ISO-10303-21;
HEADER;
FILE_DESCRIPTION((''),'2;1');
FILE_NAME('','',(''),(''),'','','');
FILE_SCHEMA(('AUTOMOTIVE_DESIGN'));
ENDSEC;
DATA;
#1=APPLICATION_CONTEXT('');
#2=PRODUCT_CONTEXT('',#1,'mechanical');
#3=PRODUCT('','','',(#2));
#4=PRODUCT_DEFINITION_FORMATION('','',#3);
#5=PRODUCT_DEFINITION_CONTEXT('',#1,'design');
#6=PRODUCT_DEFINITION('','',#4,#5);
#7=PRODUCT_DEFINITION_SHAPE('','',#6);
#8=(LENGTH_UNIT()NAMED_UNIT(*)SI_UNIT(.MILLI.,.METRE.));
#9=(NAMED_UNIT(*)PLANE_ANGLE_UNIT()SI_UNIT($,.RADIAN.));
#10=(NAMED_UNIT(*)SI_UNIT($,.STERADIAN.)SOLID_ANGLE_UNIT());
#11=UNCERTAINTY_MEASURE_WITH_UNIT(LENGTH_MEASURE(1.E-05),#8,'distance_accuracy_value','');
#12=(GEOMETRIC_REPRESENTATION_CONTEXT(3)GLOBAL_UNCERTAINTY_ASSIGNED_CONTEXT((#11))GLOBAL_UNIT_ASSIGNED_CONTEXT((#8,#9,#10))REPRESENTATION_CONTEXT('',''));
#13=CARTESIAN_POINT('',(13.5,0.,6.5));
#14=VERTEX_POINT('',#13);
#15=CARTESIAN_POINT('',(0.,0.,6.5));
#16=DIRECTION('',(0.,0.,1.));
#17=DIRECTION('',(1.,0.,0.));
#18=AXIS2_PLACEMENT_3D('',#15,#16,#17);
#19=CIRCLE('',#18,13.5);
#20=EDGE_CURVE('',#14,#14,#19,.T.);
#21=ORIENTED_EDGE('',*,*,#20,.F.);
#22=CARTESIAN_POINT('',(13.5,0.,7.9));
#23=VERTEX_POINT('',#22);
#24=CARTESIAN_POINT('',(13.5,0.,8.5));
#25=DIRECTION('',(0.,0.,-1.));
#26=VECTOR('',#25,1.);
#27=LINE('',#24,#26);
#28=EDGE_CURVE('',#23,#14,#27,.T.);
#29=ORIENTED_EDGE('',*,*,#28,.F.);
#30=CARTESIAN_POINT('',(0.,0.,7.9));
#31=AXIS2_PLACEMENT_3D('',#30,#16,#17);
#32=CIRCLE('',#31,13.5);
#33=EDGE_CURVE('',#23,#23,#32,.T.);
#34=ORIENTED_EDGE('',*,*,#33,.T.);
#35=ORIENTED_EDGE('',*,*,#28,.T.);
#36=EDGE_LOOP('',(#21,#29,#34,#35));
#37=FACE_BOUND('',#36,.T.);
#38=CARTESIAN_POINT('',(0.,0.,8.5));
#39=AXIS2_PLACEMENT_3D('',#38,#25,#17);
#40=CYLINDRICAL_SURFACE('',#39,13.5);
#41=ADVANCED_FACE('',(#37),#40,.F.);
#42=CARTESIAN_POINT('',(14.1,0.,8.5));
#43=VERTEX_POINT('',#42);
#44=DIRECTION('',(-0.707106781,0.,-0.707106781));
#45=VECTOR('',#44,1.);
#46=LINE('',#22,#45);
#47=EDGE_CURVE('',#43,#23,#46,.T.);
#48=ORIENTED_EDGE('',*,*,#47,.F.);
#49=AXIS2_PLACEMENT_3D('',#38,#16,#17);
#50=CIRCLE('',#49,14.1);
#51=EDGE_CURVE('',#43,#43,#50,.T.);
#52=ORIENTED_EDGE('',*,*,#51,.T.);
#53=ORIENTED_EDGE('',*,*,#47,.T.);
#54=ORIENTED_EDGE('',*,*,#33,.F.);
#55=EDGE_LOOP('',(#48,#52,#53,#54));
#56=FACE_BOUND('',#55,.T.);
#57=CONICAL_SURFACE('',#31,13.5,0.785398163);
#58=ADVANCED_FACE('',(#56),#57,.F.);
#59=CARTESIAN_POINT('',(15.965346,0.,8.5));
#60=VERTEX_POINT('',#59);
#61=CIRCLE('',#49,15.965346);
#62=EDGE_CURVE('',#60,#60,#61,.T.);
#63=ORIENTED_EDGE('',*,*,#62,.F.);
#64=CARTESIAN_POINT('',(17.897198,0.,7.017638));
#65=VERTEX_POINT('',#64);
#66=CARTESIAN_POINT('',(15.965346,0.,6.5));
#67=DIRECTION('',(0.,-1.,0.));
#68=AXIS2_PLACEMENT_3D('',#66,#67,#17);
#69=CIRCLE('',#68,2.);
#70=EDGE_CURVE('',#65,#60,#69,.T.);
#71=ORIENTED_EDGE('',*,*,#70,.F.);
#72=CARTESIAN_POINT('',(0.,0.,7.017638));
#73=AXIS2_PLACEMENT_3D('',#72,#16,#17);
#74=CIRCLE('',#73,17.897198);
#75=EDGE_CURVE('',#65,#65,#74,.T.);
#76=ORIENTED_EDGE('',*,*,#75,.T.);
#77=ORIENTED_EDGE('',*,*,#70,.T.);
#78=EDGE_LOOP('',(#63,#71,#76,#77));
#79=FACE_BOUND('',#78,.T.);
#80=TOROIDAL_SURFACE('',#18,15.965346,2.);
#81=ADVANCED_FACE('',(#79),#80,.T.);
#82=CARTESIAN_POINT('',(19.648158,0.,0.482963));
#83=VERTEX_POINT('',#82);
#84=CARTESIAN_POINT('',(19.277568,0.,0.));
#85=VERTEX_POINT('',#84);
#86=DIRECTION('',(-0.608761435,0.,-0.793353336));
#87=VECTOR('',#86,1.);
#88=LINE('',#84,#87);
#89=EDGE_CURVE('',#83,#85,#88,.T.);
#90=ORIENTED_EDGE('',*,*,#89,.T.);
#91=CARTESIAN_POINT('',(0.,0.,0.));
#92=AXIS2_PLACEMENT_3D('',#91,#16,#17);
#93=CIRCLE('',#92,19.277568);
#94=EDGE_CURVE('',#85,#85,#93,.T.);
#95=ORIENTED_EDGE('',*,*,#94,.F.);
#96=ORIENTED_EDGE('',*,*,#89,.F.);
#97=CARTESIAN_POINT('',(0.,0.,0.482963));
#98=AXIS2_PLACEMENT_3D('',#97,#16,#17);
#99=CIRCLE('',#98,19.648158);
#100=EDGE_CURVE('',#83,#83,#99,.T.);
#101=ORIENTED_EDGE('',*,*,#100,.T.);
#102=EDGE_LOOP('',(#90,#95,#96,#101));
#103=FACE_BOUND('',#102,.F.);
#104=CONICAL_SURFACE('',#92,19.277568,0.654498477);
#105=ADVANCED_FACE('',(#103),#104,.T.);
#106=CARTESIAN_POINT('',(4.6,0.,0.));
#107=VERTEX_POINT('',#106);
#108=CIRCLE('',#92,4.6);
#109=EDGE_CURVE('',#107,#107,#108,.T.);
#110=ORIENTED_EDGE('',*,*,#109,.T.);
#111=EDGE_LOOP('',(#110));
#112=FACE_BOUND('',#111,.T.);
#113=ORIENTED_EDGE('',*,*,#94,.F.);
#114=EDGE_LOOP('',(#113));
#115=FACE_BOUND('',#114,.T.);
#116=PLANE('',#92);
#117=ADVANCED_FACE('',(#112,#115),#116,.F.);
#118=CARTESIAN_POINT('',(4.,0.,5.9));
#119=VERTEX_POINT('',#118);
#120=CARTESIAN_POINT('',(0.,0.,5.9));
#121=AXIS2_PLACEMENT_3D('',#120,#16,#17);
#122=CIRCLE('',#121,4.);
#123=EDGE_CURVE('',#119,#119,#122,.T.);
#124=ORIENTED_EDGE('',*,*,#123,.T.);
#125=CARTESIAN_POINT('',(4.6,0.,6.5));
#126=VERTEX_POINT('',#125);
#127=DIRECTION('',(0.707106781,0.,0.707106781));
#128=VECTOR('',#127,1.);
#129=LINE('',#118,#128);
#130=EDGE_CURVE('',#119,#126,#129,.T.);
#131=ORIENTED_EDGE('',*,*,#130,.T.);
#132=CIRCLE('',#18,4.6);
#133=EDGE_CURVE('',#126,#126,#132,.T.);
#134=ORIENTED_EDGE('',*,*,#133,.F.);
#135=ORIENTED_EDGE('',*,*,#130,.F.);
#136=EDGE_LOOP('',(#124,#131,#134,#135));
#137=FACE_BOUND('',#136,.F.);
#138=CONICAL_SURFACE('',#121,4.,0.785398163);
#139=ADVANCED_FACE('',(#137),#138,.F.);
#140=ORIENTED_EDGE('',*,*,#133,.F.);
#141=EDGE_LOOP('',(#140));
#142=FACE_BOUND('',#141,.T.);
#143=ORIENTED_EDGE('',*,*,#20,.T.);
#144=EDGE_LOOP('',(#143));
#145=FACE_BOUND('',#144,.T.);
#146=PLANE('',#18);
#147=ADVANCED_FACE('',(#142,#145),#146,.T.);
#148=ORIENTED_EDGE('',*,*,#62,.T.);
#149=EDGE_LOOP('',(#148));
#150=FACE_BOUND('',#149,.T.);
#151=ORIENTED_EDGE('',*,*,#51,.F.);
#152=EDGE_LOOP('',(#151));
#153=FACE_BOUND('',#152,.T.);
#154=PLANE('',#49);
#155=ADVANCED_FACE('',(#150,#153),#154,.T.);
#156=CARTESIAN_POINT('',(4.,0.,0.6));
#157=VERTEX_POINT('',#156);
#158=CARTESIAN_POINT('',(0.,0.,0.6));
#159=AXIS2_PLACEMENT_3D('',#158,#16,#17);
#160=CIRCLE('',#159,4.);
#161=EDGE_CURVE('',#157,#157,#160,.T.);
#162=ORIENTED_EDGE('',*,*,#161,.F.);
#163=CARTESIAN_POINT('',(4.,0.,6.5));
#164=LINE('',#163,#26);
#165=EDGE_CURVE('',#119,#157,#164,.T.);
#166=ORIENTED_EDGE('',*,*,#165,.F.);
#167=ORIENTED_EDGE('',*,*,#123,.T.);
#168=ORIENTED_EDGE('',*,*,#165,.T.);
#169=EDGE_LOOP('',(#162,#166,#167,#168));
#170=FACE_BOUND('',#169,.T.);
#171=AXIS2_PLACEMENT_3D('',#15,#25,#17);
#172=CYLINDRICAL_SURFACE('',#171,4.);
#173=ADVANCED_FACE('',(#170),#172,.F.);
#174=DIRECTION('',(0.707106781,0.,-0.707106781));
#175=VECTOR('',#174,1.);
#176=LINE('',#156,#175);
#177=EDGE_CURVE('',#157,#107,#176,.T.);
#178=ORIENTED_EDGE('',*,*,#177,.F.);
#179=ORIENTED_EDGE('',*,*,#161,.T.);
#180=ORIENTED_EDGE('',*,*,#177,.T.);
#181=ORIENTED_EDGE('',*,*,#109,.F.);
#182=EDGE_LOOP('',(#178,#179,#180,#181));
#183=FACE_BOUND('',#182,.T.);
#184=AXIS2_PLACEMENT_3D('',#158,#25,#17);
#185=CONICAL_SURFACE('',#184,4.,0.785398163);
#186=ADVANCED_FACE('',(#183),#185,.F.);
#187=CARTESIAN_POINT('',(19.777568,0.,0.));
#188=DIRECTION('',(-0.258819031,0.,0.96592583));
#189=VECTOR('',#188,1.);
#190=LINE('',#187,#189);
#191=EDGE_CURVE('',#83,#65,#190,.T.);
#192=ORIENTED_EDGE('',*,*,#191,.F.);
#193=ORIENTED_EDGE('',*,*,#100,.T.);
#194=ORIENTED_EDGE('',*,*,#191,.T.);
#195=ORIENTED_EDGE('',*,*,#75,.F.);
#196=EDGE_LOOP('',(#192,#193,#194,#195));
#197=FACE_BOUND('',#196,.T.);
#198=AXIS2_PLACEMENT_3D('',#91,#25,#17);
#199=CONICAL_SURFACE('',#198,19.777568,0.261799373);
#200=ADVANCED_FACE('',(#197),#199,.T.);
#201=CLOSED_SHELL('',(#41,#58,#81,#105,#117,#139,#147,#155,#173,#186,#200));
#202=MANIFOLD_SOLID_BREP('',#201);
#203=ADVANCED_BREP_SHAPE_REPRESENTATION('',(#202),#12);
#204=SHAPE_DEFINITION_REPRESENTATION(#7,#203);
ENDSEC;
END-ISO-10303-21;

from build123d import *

# Parameters (mm, degrees)
F2_SIZE = 0.6
F3_R    = 2
F4_SIZE = 0.5


with BuildPart() as f1:
    # F0 (on Front) → F1 (revolve)
    with BuildSketch(Plane.XZ):
        Polygon((4, 6.5), (4, 0), (19.777568, 0), (17.5, 8.5), (13.5, 8.5), (13.5, 6.5), align=None)
    revolve(axis=Axis((0, 0, 2.242119), (0, 0, 1)))

    # F2
    f2_edges = [f1.edges().sort_by_distance(p)[0] for p in [
        (-13.5, 0, 8.5),
        (-4, 0, 6.5),
        (-4, 0, 0),
    ]]
    chamfer(f2_edges, length=F2_SIZE)

    # F3
    f3_edges = [f1.edges().sort_by_distance(p)[0] for p in [
        (-17.5, 0, 8.5),
    ]]
    fillet(f3_edges, radius=F3_R)

    # F4
    f4_edges = [f1.edges().sort_by_distance(p)[0] for p in [
        (-19.777568, 0, 0),
    ]]
    chamfer(f4_edges, length=F4_SIZE)


solid = f1.part
